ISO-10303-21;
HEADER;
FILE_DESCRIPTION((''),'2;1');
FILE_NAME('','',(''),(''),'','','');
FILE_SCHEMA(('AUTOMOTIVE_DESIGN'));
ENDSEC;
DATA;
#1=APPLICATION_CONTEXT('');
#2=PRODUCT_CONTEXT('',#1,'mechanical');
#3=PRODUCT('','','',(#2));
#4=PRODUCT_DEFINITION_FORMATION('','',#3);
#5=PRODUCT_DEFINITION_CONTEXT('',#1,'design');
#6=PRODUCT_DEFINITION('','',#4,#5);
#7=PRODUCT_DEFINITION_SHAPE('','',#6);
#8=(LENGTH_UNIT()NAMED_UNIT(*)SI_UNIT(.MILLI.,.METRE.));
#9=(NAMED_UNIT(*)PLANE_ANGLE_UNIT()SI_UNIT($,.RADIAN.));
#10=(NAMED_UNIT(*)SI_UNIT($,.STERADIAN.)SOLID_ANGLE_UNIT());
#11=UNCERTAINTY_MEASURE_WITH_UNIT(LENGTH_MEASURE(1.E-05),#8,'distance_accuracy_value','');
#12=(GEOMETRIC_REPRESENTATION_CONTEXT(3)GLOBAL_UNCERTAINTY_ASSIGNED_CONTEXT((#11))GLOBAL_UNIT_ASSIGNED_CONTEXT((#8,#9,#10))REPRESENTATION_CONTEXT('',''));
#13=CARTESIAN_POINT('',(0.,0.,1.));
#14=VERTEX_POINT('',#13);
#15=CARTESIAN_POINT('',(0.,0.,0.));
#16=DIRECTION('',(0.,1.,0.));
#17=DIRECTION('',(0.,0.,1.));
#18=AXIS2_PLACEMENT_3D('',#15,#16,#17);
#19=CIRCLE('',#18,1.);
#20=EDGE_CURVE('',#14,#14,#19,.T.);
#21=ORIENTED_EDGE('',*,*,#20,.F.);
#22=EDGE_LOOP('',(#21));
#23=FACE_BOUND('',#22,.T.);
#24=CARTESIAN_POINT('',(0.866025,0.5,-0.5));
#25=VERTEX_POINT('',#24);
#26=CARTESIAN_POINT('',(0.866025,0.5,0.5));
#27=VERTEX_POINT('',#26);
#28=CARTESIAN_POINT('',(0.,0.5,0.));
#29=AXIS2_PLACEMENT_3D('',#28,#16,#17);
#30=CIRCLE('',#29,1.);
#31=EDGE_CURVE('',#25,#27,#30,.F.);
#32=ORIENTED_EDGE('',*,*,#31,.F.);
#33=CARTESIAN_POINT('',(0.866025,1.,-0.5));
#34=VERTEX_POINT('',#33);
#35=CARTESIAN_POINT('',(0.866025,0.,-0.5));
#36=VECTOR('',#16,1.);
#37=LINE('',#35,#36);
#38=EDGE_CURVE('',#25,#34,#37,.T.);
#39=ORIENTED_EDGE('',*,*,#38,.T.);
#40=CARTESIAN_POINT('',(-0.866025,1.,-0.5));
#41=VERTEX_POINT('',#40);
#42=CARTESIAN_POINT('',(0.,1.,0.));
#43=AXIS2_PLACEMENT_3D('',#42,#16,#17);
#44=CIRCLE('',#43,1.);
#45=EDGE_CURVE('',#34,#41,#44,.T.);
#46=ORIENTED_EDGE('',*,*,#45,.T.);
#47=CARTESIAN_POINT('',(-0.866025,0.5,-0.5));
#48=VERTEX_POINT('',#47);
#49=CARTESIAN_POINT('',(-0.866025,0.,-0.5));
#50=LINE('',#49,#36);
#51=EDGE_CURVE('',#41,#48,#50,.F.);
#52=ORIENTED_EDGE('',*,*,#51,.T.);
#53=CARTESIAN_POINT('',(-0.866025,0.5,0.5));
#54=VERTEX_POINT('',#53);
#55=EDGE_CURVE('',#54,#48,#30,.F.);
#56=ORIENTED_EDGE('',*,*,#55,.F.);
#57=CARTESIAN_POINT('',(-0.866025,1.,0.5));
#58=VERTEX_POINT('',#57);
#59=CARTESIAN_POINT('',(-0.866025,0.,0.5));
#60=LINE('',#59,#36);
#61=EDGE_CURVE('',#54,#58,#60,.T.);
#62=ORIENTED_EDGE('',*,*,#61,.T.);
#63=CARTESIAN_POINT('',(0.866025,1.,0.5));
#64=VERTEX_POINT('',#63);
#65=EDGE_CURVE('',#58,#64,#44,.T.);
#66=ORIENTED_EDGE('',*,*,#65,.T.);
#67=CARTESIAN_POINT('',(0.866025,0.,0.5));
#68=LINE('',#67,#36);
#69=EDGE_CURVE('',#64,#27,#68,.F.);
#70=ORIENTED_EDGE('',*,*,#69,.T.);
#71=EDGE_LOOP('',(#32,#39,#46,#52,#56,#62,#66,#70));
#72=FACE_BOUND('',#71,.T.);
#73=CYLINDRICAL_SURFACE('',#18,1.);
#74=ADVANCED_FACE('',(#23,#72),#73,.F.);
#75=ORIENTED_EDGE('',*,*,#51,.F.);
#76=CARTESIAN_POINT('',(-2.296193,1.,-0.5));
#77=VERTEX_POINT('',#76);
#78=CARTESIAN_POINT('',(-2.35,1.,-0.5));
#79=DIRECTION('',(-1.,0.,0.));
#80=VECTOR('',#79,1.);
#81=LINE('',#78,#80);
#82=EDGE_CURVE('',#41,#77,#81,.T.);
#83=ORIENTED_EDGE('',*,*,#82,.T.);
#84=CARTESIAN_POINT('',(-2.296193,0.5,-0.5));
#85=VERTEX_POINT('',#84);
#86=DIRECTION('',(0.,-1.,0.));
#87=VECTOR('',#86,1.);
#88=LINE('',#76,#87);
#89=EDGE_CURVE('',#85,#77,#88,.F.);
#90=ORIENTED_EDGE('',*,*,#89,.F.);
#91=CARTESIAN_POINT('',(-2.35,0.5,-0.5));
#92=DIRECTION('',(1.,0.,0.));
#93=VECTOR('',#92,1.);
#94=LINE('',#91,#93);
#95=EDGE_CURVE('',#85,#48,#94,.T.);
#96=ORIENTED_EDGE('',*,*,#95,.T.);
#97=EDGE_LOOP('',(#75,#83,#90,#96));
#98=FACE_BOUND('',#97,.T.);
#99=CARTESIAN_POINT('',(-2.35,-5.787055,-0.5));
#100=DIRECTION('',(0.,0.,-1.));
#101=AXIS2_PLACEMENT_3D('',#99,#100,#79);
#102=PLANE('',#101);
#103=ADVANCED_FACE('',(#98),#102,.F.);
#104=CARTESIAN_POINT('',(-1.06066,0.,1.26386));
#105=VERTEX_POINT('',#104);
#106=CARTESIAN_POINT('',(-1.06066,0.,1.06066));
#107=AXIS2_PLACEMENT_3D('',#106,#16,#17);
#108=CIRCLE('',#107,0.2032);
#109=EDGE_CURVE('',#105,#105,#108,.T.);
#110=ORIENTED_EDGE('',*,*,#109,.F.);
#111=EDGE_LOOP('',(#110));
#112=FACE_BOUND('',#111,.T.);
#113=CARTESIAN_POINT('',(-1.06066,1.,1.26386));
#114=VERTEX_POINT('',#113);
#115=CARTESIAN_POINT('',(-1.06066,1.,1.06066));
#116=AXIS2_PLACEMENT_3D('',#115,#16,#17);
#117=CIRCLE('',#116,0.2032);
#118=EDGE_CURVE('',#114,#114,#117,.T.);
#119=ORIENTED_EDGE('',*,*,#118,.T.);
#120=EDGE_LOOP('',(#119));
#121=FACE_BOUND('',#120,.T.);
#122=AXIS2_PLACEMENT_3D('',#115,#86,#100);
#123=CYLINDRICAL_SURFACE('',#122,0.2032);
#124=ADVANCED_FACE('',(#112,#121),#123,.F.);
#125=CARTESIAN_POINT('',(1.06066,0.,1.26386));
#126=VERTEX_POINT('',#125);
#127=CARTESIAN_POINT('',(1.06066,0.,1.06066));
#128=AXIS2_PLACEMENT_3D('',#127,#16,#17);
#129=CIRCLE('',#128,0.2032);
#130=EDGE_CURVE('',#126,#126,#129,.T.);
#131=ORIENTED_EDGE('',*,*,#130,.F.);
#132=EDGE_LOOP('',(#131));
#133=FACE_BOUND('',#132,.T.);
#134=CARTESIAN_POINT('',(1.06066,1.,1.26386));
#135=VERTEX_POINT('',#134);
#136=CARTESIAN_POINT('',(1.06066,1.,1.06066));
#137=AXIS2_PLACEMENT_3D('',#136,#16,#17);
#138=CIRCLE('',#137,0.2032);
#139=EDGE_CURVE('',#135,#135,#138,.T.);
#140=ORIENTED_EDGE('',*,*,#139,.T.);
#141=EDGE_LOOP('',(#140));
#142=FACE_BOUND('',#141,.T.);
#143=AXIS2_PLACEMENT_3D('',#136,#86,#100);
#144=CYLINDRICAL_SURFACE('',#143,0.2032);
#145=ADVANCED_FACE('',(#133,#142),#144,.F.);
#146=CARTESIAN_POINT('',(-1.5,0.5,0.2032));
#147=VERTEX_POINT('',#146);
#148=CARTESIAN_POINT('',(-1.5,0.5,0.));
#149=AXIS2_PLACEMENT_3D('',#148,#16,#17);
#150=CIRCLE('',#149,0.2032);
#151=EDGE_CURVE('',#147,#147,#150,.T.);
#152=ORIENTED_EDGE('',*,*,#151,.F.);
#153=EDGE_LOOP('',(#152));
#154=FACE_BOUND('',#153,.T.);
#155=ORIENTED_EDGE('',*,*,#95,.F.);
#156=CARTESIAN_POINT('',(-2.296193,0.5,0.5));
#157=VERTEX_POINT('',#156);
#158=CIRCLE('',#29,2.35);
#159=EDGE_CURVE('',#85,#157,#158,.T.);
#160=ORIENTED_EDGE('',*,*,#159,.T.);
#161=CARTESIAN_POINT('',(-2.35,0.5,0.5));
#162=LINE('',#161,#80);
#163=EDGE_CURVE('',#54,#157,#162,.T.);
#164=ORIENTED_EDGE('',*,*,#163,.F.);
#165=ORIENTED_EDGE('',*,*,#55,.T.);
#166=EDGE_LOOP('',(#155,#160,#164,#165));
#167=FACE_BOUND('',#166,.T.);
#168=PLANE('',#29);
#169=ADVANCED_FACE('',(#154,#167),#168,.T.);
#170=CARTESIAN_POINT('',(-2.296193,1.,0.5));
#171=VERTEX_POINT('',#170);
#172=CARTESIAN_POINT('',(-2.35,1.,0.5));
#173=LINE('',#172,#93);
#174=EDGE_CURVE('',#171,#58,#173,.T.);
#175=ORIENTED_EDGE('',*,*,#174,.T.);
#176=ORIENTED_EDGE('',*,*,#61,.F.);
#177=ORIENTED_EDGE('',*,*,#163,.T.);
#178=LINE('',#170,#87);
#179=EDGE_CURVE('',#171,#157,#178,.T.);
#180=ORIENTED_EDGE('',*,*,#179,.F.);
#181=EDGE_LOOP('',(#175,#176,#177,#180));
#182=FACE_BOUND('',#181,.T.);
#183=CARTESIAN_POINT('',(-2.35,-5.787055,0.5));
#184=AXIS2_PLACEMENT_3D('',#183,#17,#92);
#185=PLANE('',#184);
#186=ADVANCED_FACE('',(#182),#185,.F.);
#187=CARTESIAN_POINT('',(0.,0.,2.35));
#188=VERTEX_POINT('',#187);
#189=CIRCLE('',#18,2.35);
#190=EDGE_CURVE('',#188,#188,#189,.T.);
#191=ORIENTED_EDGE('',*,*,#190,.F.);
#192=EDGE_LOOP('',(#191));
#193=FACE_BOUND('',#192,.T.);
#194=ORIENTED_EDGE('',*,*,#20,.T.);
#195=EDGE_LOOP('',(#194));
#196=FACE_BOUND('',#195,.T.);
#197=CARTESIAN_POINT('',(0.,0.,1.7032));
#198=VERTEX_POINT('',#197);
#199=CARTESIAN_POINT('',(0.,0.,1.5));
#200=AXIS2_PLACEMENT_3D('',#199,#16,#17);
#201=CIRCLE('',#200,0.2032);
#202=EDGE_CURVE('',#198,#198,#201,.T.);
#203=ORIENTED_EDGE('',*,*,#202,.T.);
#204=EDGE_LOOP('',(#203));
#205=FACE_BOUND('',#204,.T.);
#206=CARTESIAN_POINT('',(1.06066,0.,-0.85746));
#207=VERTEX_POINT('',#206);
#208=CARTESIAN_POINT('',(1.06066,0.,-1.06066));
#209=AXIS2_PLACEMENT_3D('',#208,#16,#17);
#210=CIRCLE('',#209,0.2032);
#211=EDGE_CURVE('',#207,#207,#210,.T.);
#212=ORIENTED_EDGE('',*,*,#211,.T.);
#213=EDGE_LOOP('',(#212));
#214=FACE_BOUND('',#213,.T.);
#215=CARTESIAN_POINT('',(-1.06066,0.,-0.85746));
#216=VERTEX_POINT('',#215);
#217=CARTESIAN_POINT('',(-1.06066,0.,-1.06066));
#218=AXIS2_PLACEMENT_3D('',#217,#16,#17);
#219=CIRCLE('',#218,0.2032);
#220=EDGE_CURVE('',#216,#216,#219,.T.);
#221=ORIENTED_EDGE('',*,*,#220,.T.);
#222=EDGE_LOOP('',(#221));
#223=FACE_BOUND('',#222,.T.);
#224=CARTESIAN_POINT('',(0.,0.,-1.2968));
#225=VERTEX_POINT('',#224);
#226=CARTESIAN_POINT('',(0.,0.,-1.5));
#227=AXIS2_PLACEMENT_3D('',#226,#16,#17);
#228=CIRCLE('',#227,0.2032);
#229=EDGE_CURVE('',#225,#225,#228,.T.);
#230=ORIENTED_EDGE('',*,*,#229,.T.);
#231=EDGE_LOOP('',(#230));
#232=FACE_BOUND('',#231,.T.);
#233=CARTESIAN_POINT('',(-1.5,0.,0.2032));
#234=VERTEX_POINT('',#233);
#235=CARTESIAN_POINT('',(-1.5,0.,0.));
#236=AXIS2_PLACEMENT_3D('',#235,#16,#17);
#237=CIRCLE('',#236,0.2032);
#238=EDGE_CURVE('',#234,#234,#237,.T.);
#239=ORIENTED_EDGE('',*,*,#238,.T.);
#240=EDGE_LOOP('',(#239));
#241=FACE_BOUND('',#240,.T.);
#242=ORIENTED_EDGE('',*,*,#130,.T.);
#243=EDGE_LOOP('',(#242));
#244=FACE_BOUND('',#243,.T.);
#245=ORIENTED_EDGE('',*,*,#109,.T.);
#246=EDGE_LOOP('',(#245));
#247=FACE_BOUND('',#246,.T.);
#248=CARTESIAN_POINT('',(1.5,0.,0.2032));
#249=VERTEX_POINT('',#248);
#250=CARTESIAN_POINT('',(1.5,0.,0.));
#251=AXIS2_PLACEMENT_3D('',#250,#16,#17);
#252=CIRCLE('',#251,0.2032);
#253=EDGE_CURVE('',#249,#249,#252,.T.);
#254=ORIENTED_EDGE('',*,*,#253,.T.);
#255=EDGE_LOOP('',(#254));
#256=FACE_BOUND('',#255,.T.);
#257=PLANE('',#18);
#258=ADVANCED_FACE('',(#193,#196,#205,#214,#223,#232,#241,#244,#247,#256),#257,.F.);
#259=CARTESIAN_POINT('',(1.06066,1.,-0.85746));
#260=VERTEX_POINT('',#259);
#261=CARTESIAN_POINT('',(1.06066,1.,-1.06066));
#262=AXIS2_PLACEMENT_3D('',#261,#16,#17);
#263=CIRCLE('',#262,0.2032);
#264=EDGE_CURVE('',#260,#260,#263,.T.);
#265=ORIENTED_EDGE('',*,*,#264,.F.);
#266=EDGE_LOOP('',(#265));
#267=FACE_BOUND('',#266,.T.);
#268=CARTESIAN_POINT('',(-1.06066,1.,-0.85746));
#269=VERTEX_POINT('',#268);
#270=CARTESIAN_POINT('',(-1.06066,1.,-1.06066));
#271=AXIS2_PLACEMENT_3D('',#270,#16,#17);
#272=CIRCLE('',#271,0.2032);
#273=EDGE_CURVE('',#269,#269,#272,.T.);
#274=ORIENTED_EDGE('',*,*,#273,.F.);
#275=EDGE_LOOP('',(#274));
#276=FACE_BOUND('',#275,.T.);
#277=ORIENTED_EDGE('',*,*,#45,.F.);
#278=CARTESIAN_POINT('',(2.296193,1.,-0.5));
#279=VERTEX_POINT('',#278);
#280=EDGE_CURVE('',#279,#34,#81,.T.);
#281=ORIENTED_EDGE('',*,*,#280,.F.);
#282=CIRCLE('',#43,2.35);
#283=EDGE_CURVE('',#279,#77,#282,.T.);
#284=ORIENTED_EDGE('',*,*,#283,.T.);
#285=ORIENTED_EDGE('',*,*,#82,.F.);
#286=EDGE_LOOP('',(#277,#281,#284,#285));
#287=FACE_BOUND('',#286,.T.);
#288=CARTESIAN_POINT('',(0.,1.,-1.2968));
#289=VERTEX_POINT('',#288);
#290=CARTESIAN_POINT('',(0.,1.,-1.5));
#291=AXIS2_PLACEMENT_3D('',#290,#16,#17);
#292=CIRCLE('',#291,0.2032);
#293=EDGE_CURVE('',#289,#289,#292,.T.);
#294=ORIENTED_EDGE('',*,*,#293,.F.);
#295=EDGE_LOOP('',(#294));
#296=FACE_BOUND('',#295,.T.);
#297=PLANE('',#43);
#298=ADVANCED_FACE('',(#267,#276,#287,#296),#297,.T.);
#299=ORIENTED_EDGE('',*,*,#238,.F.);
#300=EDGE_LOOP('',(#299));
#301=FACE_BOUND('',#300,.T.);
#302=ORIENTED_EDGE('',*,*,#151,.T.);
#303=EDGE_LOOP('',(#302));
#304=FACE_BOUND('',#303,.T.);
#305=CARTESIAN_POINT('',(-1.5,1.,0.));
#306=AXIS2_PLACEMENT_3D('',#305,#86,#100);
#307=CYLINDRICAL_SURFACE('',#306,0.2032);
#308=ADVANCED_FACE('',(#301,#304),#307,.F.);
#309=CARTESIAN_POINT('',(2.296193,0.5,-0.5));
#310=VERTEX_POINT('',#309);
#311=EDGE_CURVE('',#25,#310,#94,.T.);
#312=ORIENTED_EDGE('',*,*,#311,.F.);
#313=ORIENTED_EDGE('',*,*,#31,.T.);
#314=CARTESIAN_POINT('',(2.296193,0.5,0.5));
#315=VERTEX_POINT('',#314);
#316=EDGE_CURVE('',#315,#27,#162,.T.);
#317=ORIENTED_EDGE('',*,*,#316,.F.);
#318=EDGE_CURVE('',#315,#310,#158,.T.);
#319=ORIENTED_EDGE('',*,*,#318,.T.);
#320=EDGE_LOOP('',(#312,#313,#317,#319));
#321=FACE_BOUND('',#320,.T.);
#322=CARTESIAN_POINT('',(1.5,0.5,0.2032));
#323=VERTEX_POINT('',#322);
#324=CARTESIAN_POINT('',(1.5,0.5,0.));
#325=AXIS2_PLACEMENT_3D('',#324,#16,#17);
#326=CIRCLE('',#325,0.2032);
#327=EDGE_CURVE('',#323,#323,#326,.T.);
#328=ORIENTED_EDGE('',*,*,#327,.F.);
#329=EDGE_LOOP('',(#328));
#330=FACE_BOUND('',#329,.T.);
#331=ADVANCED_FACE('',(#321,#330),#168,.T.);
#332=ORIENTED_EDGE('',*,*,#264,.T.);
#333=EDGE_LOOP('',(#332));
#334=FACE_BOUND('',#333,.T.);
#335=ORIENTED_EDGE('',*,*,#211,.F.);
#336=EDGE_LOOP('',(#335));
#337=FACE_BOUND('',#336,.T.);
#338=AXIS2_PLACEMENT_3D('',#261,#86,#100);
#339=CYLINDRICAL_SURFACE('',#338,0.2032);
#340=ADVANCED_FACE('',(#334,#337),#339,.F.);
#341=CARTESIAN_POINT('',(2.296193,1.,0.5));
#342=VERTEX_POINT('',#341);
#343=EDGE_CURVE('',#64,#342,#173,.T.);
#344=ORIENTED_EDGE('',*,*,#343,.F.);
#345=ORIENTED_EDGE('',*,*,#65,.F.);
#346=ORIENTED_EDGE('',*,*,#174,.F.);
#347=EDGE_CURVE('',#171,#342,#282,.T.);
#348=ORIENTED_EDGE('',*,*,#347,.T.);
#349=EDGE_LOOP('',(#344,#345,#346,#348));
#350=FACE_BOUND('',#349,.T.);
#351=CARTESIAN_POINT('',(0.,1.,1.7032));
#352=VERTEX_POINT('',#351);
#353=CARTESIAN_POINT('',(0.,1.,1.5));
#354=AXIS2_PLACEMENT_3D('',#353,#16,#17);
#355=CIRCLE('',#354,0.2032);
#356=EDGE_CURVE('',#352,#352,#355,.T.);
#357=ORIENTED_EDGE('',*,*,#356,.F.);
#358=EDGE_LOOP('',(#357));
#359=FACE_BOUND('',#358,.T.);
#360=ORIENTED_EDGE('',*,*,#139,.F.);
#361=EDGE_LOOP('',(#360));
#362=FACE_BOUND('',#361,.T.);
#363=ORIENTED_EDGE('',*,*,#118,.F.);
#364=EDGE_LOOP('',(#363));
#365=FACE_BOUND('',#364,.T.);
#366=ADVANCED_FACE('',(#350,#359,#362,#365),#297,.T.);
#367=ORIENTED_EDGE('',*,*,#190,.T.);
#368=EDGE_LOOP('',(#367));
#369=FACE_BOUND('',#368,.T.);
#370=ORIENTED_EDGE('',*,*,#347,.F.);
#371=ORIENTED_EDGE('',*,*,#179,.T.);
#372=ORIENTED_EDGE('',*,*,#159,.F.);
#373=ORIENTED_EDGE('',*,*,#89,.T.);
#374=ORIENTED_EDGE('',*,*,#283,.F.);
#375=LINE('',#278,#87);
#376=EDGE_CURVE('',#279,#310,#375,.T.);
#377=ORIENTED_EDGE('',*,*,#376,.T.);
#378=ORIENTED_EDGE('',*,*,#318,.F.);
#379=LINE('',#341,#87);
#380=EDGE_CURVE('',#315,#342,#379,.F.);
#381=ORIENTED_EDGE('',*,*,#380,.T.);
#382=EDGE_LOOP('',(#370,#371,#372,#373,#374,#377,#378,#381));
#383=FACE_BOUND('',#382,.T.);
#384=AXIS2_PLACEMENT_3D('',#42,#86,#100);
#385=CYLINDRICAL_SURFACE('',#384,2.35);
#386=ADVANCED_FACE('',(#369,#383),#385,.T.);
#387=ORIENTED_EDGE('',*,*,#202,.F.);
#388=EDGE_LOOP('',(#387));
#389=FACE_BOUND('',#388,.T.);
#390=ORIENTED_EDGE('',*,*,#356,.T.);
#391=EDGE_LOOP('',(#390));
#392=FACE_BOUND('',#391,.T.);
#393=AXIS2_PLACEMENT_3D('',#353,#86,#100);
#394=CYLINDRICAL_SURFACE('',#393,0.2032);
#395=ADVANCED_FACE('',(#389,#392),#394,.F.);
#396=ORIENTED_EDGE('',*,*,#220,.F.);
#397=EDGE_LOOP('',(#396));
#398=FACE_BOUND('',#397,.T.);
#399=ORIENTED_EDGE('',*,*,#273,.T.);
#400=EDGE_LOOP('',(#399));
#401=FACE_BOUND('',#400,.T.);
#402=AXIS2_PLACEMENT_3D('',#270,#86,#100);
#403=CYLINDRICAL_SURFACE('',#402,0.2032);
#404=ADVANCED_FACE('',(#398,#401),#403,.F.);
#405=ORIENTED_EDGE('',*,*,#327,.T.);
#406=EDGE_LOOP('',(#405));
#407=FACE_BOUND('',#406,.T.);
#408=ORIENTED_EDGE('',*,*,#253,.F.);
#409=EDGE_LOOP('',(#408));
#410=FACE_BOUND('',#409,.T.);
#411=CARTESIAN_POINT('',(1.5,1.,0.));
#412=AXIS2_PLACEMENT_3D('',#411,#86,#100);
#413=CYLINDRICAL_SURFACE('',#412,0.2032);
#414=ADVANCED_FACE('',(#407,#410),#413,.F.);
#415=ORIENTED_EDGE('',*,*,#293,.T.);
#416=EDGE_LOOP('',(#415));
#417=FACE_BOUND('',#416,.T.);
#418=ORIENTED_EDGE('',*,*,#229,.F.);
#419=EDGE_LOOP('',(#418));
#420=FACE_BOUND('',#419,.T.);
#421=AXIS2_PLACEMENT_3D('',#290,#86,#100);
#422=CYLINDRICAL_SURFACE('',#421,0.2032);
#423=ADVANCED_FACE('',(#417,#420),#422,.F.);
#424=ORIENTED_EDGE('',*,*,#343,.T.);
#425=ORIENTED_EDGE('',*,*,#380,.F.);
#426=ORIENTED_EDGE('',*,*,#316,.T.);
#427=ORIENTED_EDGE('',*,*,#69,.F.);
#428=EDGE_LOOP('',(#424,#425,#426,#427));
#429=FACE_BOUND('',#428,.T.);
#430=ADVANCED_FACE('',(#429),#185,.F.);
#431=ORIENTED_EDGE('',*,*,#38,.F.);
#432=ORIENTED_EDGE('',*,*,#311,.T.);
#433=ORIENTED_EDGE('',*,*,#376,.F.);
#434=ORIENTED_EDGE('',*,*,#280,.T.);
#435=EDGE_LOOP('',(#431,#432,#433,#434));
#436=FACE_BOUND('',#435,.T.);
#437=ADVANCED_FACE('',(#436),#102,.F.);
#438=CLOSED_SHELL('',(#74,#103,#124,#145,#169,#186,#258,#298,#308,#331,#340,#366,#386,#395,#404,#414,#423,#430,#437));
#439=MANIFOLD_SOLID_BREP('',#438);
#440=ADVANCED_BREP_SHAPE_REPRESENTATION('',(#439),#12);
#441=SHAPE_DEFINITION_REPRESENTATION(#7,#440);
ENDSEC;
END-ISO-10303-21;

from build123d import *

# Parameters (mm, degrees)
SKETCH1_R           = 2.35
SKETCH1_R_2         = 0.2032
BOSS_EXTRUDE1_DEPTH = 1
SKETCH3_R           = 1
CUT_EXTRUDE1_DEPTH  = 2
CUT_EXTRUDE2_DEPTH  = 0.5


with BuildPart() as part:
    # Sketch1 → Boss-Extrude1 (new body)
    with BuildSketch(Plane(origin=(0, 0, 0), x_dir=(1, 0, 0), z_dir=(0, 1, 0))):
        Circle(SKETCH1_R)
        with Locations((0, 1.5)):
            Circle(SKETCH1_R_2, mode=Mode.SUBTRACT)
        with Locations((1.060660172, 1.060660172)):
            Circle(SKETCH1_R_2, mode=Mode.SUBTRACT)
        with Locations((1.5, 0)):
            Circle(SKETCH1_R_2, mode=Mode.SUBTRACT)
        with Locations((1.060660172, -1.060660172)):
            Circle(SKETCH1_R_2, mode=Mode.SUBTRACT)
        with Locations((0, -1.5)):
            Circle(SKETCH1_R_2, mode=Mode.SUBTRACT)
        with Locations((-1.060660172, -1.060660172)):
            Circle(SKETCH1_R_2, mode=Mode.SUBTRACT)
        with Locations((-1.5, 0)):
            Circle(SKETCH1_R_2, mode=Mode.SUBTRACT)
        with Locations((-1.060660172, 1.060660172)):
            Circle(SKETCH1_R_2, mode=Mode.SUBTRACT)
    extrude(amount=BOSS_EXTRUDE1_DEPTH)

    # Sketch3 → Cut-Extrude1 (cut, through all)
    with BuildSketch(Plane(origin=(0, 1, 0), x_dir=(1, 0, 0), z_dir=(0, 1, 0))):
        Circle(SKETCH3_R)
    extrude(amount=-CUT_EXTRUDE1_DEPTH, mode=Mode.SUBTRACT)

    # Sketch4 → Cut-Extrude2 (cut)
    with BuildSketch(Plane(origin=(0, 1, 0), x_dir=(1, 0, 0), z_dir=(0, 1, 0))):
        with BuildLine():
            Line((-2.35, 0.5), (2.35, 0.5))
            ThreePointArc((2.35, 0.5), (2.85, 0), (2.35, -0.5))
            Line((2.35, -0.5), (-2.35, -0.5))
            ThreePointArc((-2.35, -0.5), (-2.85, 0), (-2.35, 0.5))
        make_face()
    extrude(amount=-CUT_EXTRUDE2_DEPTH, mode=Mode.SUBTRACT)


solid = part.part
